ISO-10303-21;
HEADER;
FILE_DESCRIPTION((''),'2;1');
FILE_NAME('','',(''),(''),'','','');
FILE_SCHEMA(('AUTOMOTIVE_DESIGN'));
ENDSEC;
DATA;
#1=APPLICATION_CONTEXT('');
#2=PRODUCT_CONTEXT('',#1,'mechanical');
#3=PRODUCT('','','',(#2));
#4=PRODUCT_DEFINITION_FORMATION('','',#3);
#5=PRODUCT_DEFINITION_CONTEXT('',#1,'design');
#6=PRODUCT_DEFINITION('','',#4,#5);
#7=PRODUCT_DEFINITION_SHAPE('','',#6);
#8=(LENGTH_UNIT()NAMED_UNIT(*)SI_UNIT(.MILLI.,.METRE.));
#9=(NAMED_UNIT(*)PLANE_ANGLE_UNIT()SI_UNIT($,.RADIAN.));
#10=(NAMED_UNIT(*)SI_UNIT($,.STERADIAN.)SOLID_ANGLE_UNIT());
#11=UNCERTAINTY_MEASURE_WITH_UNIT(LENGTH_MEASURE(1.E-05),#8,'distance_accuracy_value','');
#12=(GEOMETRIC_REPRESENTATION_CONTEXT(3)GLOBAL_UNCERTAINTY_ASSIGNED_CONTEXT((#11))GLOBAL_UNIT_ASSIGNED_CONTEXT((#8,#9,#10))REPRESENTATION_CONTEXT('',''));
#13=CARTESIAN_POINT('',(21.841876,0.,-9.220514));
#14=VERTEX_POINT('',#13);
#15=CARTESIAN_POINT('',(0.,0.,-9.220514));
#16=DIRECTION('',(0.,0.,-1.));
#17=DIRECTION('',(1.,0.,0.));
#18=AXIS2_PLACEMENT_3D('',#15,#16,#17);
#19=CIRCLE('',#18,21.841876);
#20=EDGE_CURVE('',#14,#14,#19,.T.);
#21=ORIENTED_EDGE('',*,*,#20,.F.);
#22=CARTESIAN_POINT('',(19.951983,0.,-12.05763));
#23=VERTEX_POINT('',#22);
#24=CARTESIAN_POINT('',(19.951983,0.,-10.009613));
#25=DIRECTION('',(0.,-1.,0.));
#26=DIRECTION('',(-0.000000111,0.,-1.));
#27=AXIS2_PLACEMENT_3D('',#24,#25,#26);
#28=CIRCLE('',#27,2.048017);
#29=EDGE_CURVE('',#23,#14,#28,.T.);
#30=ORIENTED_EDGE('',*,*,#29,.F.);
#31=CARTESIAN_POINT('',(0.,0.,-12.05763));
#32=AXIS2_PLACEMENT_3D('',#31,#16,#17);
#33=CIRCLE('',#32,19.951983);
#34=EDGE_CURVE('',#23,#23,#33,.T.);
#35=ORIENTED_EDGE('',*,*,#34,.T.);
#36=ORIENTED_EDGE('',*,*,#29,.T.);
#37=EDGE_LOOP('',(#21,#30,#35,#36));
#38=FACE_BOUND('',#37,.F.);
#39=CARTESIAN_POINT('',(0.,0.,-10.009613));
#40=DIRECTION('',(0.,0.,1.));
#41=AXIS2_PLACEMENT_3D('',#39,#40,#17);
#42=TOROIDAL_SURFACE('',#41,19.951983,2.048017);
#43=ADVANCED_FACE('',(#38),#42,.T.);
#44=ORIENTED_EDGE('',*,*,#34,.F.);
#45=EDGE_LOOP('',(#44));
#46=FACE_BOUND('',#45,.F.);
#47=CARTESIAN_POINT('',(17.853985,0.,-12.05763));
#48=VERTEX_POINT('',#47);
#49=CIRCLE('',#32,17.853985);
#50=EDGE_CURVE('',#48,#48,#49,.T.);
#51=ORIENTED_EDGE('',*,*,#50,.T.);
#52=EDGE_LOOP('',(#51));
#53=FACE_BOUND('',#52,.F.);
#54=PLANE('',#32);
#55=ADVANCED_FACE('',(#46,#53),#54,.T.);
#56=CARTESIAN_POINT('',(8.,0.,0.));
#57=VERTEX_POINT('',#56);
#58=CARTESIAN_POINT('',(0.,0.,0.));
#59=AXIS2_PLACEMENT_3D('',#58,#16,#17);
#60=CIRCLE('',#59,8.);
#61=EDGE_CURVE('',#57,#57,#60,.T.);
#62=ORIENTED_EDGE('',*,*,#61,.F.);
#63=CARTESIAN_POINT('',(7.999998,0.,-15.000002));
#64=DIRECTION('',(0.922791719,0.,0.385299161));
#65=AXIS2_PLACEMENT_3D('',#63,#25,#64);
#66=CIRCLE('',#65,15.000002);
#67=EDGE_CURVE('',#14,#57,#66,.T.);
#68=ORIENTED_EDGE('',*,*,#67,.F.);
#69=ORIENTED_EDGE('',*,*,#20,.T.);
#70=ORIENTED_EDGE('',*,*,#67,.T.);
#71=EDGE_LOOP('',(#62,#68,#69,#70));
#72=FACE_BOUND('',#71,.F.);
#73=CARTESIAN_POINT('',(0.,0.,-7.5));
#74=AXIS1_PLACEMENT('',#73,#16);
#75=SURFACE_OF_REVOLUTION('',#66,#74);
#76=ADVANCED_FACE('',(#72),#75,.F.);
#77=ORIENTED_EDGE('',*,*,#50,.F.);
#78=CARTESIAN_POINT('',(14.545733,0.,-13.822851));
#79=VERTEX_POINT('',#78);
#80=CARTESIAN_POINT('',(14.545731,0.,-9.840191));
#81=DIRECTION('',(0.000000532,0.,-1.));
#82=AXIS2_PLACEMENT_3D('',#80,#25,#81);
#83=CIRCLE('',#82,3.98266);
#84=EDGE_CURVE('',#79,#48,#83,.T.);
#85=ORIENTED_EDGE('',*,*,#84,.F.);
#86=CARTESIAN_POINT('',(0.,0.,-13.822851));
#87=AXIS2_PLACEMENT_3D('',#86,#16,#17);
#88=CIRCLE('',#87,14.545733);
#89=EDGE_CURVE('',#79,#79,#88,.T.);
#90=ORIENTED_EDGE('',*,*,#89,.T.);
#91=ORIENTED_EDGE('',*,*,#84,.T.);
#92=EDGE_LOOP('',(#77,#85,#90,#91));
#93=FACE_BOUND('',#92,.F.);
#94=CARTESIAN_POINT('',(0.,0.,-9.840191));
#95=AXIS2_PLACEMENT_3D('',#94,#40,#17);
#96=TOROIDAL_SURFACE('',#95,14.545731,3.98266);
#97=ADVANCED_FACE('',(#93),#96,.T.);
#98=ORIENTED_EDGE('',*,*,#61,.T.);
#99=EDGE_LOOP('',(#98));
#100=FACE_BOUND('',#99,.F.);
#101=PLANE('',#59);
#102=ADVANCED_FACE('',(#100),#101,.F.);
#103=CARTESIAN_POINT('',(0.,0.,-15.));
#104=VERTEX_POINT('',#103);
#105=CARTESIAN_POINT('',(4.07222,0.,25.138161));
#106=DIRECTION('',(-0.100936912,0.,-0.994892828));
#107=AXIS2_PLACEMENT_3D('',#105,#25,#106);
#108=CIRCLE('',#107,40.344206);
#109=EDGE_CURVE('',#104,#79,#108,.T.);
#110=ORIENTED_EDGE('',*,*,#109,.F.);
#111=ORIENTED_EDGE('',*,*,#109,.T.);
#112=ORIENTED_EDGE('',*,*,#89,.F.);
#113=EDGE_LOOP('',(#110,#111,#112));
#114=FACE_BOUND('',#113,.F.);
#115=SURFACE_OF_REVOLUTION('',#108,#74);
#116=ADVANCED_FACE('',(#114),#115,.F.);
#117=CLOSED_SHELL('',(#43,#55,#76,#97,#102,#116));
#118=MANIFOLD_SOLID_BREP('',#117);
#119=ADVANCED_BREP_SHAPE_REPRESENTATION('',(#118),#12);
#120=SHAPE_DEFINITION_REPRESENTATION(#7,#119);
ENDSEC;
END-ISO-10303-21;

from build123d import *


with BuildPart() as f1:
    # F0 (on Front) → F1 (revolve)
    with BuildSketch(Plane.XZ):
        with BuildLine():
            Line((8, 0), (0, 0))
            Line((0, 0), (0, -12.05763))
            Line((0, -12.05763), (17.853985, -12.05763))
            Line((17.853985, -12.05763), (19.951983, -12.05763))
            ThreePointArc((19.951983, -12.05763), (21.656457, -11.145017), (21.841876, -9.220514))
            ThreePointArc((21.841876, -9.220514), (16.315879, -2.516165), (8, 0))
        make_face()
        with BuildLine():
            Line((17.853985, -12.05763), (0, -12.05763))
            Line((0, -12.05763), (0, -13.822851))
            Line((0, -13.822851), (14.545733, -13.822851))
            ThreePointArc((14.545733, -13.822851), (16.420602, -13.353941), (17.853985, -12.05763))
        make_face()
        with BuildLine():
            Line((14.545733, -13.822851), (0, -13.822851))
            Line((0, -13.822851), (0, -15))
            ThreePointArc((0, -15), (7.326534, -15.074578), (14.545733, -13.822851))
        make_face()
    revolve(axis=Axis((0, 0, -7.5), (0, 0, -1)))


solid = f1.part
